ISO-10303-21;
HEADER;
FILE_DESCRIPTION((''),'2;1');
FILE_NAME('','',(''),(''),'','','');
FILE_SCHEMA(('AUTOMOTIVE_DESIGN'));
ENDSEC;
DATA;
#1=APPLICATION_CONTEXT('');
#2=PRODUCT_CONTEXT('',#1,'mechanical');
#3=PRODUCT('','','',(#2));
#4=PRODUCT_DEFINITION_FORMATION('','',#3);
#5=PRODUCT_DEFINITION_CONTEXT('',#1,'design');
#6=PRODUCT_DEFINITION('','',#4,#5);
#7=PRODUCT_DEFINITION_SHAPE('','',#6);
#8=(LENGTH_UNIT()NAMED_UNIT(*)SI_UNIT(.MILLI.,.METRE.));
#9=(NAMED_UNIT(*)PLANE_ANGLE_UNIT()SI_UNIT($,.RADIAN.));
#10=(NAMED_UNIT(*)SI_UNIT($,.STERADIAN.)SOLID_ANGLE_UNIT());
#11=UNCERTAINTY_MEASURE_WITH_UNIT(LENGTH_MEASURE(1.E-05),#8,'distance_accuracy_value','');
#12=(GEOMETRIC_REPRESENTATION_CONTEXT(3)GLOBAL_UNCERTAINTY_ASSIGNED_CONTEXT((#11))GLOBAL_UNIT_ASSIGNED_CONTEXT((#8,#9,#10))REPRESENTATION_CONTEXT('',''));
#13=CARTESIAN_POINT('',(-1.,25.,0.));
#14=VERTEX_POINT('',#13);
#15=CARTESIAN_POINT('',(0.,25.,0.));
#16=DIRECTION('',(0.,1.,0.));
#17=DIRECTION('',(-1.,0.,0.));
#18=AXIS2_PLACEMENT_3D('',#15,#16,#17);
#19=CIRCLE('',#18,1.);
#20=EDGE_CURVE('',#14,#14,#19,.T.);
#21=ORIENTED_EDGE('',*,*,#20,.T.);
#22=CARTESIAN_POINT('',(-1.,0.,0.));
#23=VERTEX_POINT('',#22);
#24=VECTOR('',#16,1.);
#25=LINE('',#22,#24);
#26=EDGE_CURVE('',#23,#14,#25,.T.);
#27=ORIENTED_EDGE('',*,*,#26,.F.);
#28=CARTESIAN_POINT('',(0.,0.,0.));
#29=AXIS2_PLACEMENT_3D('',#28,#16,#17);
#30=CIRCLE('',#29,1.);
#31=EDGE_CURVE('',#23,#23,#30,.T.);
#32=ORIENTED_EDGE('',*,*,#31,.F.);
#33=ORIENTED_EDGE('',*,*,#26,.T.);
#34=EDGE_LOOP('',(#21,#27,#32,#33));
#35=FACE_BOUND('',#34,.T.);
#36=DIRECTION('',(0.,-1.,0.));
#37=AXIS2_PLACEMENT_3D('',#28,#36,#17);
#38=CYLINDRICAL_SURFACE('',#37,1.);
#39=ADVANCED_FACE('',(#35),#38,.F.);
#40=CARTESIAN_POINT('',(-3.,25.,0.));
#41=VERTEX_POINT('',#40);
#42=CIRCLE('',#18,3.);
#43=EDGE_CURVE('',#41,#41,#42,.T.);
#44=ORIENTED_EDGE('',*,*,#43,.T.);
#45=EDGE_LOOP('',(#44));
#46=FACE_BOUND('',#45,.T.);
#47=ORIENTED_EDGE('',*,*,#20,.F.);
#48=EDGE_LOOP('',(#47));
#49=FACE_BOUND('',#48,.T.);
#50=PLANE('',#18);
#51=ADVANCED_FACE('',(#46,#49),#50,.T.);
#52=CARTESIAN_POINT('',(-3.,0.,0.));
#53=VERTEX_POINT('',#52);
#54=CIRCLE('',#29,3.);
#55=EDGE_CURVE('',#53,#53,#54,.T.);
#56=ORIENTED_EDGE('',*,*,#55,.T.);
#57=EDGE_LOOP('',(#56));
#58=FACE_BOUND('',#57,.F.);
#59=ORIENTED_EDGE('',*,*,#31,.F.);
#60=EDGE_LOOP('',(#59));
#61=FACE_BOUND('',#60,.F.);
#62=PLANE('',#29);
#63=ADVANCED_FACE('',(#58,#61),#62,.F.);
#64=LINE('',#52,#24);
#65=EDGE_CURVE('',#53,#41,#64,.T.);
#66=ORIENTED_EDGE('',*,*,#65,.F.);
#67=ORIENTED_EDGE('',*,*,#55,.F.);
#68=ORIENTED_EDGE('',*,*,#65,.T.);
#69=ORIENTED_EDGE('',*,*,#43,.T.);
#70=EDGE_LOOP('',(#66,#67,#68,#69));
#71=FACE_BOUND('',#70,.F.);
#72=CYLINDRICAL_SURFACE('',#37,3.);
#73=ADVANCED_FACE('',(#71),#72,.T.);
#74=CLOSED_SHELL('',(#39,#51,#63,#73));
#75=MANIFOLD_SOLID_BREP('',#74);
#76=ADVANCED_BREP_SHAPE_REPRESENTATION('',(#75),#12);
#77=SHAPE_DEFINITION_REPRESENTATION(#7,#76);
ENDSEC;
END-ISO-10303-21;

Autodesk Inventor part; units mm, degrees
ref_plane "YZ Plane" through (0, 0, 0) normal (1, 0, 0) x (0, 1, 0)
ref_plane "XZ Plane" through (0, 0, 0) normal (0, 1, 0) x (-1, 0, 0)
ref_plane "XY Plane" through (0, 0, 0) normal (0, 0, 1) x (1, 0, 0)
sketch "Sketch1" plane through (0, 0, 0) normal (0, 1, 0) x (-1, 0, 0)
  circle A0 centre (0, 0) radius 1
  circle A1 centre (0, 0) radius 3
  dimension "d0" = 2
  dimension "d1" = 6
extrude "Extrusion1" add sketch "Sketch1" along normal blind 25
properties part number "Pi_mount_pin"
